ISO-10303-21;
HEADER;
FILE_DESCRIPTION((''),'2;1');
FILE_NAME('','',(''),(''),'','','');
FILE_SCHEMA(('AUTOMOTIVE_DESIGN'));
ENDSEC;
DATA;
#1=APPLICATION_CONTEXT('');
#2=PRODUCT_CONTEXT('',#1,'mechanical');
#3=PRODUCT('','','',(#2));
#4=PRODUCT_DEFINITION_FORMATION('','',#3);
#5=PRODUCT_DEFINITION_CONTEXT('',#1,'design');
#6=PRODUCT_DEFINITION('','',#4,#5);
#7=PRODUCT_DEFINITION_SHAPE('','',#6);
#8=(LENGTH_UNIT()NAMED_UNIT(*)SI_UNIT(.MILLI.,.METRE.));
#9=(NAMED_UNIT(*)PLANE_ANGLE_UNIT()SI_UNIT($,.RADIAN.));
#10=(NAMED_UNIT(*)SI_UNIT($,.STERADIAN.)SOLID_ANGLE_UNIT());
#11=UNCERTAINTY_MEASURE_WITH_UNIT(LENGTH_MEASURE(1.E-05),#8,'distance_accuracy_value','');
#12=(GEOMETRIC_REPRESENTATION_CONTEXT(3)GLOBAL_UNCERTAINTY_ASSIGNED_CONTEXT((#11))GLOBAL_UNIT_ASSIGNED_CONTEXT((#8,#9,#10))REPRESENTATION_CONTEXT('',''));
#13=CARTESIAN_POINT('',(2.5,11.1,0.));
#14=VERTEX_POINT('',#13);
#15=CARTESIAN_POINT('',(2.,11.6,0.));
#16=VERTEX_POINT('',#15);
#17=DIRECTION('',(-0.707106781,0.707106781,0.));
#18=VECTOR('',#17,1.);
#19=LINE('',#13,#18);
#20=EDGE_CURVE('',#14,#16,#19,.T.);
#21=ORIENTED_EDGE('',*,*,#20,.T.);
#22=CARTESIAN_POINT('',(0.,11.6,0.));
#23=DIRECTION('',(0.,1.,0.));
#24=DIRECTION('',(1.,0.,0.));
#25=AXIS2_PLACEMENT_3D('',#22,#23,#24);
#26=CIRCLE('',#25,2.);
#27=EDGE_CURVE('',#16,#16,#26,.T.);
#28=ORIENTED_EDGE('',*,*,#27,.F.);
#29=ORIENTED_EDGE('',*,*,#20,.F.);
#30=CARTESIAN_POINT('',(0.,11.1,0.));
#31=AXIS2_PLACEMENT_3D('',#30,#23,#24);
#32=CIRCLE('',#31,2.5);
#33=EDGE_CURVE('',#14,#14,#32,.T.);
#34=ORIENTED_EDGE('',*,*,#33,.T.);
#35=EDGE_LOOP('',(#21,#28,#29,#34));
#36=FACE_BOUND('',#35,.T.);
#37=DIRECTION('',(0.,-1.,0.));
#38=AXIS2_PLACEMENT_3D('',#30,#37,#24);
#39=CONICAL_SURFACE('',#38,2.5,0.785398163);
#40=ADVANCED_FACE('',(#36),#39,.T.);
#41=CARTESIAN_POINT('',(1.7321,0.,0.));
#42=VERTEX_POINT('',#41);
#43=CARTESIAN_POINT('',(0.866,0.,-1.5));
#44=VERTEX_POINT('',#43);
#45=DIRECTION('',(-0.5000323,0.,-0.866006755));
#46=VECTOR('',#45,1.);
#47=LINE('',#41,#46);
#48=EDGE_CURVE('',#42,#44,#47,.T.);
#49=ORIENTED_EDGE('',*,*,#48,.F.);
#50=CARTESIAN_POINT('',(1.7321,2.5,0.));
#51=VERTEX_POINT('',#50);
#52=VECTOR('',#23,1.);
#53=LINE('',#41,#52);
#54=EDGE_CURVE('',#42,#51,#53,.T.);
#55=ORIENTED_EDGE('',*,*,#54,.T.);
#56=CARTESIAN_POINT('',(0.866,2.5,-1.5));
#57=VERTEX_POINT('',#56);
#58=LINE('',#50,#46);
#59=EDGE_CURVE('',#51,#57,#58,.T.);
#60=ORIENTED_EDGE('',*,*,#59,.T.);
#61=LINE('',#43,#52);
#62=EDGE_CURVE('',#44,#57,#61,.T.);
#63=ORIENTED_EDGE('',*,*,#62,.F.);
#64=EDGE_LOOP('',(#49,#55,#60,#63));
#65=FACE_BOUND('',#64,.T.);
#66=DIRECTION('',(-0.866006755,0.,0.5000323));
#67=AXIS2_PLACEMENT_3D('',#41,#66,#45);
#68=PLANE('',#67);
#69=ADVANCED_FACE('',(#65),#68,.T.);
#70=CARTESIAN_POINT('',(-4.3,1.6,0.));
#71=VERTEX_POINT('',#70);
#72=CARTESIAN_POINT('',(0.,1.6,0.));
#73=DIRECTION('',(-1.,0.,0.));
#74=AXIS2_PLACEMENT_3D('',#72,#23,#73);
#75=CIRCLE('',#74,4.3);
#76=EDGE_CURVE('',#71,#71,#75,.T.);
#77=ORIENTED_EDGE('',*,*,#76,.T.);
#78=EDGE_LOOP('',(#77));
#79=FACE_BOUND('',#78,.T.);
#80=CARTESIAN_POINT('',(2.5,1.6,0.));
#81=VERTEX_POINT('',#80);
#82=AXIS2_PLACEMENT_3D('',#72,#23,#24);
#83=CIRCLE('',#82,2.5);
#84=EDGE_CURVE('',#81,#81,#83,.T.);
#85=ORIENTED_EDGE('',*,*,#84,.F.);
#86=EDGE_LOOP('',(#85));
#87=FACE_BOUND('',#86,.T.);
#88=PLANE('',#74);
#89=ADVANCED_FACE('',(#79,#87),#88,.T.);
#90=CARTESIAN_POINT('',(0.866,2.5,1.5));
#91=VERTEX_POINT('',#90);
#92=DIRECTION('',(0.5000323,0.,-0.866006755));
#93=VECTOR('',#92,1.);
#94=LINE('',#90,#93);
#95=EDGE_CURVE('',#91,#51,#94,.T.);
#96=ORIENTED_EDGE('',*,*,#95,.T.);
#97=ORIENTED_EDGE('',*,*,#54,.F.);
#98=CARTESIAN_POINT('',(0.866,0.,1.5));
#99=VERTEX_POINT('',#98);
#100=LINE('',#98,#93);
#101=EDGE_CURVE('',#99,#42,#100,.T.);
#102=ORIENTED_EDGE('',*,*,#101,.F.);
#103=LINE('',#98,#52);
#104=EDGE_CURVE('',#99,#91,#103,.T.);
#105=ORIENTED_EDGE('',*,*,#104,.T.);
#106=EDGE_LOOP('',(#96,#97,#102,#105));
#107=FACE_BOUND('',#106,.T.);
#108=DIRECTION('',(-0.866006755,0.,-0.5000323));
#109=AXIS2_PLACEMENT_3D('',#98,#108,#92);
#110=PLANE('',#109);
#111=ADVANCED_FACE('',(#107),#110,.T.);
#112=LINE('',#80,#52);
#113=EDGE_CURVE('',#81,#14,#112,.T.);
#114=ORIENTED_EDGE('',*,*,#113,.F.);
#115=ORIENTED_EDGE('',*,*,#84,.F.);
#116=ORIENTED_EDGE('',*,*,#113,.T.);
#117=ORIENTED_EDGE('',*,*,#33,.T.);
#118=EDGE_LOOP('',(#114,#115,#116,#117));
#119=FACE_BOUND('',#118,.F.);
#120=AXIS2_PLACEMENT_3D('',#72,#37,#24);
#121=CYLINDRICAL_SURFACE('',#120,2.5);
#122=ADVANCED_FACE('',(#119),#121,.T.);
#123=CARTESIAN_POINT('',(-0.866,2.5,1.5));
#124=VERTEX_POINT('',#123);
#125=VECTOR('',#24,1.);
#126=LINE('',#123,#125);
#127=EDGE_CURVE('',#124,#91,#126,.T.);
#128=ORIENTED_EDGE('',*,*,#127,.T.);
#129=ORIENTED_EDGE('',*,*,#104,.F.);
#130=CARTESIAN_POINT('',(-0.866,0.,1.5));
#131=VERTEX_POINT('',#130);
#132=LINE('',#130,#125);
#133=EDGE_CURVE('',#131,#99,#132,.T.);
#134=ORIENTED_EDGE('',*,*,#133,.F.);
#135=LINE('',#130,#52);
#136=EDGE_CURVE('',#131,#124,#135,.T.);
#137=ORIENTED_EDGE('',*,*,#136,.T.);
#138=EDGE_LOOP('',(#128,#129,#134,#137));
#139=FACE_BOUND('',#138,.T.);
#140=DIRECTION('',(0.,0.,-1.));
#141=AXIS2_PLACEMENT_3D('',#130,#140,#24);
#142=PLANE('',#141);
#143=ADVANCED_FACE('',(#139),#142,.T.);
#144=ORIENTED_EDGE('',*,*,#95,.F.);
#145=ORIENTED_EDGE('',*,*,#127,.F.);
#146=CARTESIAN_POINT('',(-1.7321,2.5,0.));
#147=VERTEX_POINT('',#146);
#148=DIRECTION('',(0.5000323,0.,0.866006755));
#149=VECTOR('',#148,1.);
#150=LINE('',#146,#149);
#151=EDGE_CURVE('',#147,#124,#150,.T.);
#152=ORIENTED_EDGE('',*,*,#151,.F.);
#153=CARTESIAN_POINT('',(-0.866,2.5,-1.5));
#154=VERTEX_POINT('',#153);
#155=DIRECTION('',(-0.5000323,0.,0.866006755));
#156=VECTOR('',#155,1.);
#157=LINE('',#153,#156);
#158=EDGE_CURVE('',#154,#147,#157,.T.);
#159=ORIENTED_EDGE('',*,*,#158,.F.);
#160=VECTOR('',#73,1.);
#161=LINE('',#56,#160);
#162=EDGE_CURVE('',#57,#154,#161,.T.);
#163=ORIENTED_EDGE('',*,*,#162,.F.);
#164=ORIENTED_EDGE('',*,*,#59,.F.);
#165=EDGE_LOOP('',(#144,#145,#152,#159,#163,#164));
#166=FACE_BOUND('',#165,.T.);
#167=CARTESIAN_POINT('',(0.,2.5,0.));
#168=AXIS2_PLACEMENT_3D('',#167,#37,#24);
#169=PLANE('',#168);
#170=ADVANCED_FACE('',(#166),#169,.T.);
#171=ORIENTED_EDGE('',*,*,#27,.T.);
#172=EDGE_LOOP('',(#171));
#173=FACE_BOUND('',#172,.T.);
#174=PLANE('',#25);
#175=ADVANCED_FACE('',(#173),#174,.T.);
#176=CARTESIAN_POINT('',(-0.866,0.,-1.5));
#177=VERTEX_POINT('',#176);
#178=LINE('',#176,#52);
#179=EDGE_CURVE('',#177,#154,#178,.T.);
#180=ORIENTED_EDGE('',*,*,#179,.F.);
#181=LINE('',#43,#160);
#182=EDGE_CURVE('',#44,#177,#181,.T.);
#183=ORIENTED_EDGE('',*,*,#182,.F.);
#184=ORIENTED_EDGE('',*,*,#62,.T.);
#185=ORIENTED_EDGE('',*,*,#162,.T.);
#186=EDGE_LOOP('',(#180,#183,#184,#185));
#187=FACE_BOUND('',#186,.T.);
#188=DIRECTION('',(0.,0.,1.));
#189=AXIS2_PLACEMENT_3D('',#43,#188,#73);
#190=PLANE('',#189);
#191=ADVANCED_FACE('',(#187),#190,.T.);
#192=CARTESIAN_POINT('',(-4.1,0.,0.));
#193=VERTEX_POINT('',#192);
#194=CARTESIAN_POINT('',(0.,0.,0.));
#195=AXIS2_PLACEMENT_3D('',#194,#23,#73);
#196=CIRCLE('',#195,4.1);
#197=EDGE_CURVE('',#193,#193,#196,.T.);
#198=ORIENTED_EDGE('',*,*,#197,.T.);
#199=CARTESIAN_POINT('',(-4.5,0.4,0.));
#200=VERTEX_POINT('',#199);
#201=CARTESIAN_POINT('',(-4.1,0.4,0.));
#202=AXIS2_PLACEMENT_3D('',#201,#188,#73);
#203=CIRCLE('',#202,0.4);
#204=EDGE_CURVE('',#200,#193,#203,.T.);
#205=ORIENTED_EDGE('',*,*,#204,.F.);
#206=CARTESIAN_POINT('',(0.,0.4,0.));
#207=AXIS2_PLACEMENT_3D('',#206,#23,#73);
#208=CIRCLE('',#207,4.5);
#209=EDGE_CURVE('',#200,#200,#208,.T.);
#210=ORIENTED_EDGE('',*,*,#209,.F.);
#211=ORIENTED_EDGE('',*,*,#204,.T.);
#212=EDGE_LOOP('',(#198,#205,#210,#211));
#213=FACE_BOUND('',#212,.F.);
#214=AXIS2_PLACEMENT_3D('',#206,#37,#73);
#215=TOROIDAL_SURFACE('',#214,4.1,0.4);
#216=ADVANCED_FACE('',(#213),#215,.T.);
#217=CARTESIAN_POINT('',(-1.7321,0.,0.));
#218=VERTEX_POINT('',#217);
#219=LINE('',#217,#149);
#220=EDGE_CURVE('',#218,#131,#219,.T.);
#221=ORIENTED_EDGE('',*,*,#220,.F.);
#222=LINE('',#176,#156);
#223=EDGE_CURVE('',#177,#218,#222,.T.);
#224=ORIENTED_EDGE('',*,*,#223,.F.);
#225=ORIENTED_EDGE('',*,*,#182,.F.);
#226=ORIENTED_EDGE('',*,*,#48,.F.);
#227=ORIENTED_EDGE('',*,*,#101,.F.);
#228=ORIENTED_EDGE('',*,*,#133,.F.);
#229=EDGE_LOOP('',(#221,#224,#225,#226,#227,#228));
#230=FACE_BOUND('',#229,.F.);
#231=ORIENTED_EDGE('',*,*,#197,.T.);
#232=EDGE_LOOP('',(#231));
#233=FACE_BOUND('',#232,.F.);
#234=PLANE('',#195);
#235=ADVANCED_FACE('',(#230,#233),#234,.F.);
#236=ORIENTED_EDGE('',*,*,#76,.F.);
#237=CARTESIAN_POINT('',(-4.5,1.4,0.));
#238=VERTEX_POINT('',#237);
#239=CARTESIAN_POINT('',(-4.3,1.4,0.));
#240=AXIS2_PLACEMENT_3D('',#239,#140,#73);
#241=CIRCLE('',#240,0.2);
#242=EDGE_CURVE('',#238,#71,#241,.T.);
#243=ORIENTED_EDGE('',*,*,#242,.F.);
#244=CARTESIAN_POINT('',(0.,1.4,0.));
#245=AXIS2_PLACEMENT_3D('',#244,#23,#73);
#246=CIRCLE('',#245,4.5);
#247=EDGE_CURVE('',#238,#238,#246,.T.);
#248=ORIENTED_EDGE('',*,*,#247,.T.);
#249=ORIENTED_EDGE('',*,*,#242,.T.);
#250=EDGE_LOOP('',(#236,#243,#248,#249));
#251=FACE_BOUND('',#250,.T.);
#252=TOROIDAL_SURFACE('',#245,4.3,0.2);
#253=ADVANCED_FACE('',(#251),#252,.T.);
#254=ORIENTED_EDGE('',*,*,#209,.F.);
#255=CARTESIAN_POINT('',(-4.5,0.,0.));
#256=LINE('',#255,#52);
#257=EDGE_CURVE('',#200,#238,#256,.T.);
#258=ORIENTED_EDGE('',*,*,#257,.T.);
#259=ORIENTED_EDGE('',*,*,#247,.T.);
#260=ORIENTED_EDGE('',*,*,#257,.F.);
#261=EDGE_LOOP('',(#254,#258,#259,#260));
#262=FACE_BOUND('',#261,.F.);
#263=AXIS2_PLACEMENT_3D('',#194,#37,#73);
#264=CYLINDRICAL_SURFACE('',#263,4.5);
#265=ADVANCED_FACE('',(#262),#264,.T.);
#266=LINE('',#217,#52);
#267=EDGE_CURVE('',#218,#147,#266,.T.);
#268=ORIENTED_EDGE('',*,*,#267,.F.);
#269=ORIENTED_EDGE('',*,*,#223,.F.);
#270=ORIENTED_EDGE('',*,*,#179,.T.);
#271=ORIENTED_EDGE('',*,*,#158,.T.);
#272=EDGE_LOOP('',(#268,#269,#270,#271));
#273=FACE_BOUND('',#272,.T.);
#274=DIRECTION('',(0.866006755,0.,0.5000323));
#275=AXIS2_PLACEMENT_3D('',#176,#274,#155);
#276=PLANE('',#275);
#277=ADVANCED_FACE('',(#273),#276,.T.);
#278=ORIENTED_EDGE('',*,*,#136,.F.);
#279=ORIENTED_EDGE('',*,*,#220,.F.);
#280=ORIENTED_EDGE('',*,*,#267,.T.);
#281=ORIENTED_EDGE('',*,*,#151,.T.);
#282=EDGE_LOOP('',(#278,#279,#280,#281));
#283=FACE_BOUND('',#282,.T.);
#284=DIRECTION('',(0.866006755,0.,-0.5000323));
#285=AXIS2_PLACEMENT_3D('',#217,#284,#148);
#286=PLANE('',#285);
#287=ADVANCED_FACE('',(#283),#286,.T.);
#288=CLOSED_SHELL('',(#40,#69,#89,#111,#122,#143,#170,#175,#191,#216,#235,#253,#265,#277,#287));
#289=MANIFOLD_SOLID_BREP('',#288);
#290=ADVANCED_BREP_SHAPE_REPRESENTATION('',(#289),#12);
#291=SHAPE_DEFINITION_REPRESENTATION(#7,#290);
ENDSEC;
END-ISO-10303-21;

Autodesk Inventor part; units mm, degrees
ref_plane "YZ Plane" through (0, 0, 0) normal (1, 0, 0) x (0, 1, 0)
ref_plane "XZ Plane" through (0, 0, 0) normal (0, 1, 0) x (-1, 0, 0)
ref_plane "XY Plane" through (0, 0, 0) normal (0, 0, 1) x (1, 0, 0)
sketch "Boceto1" plane through (0, 0, 0) normal (0, 1, 0) x (-1, 0, 0)
  circle A0 centre (0, 0) radius 4.5
  dimension "d0" = 9
extrude "Extrusión1" add sketch "Boceto1" along normal blind 1.6
sketch "Boceto2" plane through (0, 1.6, 0) normal (0, 1, 0) x (1, 0, 0)
  circle A0 centre (0, 0) radius 2.5
  dimension "d3" = 5
extrude "Extrusión2" add sketch "Boceto2" along normal blind 10
fillet "Empalme1" radius 0.4 1 edges at (4.5, 0, 0)
fillet "Empalme2" radius 0.2 1 edges at (4.5, 1.6, 0)
sketch "Boceto3" plane through (0, 0, 0) normal (0, -1, 0) x (1, 0, 0)
  line L0 (-1.7321, 0) -> (-0.866, 1.5)
  line L1 (-0.866, 1.5) -> (0.866, 1.5)
  line L2 (0.866, 1.5) -> (1.7321, 0)
  line L3 (1.7321, 0) -> (0.866, -1.5)
  line L4 (0.866, -1.5) -> (-0.866, -1.5)
  line L5 (-0.866, -1.5) -> (-1.7321, 0)
  point P0 (0, 0)
  point P1 (0, 0)
  dimension "d8" = 3
extrude "Extrusión3" cut sketch "Boceto3" against normal blind 2.5
chamfer "Chaflán1" distance 0.5 angle 45 1 edges at (-2.5, 11.6, 0)
thread "Rosca2" size "M5x0.8" class "6g" standard "ANSI Metric M Profile" length 8 offset 2
properties part number "Perno M5x15 cabeza plana_" material "Hierro, gris"
